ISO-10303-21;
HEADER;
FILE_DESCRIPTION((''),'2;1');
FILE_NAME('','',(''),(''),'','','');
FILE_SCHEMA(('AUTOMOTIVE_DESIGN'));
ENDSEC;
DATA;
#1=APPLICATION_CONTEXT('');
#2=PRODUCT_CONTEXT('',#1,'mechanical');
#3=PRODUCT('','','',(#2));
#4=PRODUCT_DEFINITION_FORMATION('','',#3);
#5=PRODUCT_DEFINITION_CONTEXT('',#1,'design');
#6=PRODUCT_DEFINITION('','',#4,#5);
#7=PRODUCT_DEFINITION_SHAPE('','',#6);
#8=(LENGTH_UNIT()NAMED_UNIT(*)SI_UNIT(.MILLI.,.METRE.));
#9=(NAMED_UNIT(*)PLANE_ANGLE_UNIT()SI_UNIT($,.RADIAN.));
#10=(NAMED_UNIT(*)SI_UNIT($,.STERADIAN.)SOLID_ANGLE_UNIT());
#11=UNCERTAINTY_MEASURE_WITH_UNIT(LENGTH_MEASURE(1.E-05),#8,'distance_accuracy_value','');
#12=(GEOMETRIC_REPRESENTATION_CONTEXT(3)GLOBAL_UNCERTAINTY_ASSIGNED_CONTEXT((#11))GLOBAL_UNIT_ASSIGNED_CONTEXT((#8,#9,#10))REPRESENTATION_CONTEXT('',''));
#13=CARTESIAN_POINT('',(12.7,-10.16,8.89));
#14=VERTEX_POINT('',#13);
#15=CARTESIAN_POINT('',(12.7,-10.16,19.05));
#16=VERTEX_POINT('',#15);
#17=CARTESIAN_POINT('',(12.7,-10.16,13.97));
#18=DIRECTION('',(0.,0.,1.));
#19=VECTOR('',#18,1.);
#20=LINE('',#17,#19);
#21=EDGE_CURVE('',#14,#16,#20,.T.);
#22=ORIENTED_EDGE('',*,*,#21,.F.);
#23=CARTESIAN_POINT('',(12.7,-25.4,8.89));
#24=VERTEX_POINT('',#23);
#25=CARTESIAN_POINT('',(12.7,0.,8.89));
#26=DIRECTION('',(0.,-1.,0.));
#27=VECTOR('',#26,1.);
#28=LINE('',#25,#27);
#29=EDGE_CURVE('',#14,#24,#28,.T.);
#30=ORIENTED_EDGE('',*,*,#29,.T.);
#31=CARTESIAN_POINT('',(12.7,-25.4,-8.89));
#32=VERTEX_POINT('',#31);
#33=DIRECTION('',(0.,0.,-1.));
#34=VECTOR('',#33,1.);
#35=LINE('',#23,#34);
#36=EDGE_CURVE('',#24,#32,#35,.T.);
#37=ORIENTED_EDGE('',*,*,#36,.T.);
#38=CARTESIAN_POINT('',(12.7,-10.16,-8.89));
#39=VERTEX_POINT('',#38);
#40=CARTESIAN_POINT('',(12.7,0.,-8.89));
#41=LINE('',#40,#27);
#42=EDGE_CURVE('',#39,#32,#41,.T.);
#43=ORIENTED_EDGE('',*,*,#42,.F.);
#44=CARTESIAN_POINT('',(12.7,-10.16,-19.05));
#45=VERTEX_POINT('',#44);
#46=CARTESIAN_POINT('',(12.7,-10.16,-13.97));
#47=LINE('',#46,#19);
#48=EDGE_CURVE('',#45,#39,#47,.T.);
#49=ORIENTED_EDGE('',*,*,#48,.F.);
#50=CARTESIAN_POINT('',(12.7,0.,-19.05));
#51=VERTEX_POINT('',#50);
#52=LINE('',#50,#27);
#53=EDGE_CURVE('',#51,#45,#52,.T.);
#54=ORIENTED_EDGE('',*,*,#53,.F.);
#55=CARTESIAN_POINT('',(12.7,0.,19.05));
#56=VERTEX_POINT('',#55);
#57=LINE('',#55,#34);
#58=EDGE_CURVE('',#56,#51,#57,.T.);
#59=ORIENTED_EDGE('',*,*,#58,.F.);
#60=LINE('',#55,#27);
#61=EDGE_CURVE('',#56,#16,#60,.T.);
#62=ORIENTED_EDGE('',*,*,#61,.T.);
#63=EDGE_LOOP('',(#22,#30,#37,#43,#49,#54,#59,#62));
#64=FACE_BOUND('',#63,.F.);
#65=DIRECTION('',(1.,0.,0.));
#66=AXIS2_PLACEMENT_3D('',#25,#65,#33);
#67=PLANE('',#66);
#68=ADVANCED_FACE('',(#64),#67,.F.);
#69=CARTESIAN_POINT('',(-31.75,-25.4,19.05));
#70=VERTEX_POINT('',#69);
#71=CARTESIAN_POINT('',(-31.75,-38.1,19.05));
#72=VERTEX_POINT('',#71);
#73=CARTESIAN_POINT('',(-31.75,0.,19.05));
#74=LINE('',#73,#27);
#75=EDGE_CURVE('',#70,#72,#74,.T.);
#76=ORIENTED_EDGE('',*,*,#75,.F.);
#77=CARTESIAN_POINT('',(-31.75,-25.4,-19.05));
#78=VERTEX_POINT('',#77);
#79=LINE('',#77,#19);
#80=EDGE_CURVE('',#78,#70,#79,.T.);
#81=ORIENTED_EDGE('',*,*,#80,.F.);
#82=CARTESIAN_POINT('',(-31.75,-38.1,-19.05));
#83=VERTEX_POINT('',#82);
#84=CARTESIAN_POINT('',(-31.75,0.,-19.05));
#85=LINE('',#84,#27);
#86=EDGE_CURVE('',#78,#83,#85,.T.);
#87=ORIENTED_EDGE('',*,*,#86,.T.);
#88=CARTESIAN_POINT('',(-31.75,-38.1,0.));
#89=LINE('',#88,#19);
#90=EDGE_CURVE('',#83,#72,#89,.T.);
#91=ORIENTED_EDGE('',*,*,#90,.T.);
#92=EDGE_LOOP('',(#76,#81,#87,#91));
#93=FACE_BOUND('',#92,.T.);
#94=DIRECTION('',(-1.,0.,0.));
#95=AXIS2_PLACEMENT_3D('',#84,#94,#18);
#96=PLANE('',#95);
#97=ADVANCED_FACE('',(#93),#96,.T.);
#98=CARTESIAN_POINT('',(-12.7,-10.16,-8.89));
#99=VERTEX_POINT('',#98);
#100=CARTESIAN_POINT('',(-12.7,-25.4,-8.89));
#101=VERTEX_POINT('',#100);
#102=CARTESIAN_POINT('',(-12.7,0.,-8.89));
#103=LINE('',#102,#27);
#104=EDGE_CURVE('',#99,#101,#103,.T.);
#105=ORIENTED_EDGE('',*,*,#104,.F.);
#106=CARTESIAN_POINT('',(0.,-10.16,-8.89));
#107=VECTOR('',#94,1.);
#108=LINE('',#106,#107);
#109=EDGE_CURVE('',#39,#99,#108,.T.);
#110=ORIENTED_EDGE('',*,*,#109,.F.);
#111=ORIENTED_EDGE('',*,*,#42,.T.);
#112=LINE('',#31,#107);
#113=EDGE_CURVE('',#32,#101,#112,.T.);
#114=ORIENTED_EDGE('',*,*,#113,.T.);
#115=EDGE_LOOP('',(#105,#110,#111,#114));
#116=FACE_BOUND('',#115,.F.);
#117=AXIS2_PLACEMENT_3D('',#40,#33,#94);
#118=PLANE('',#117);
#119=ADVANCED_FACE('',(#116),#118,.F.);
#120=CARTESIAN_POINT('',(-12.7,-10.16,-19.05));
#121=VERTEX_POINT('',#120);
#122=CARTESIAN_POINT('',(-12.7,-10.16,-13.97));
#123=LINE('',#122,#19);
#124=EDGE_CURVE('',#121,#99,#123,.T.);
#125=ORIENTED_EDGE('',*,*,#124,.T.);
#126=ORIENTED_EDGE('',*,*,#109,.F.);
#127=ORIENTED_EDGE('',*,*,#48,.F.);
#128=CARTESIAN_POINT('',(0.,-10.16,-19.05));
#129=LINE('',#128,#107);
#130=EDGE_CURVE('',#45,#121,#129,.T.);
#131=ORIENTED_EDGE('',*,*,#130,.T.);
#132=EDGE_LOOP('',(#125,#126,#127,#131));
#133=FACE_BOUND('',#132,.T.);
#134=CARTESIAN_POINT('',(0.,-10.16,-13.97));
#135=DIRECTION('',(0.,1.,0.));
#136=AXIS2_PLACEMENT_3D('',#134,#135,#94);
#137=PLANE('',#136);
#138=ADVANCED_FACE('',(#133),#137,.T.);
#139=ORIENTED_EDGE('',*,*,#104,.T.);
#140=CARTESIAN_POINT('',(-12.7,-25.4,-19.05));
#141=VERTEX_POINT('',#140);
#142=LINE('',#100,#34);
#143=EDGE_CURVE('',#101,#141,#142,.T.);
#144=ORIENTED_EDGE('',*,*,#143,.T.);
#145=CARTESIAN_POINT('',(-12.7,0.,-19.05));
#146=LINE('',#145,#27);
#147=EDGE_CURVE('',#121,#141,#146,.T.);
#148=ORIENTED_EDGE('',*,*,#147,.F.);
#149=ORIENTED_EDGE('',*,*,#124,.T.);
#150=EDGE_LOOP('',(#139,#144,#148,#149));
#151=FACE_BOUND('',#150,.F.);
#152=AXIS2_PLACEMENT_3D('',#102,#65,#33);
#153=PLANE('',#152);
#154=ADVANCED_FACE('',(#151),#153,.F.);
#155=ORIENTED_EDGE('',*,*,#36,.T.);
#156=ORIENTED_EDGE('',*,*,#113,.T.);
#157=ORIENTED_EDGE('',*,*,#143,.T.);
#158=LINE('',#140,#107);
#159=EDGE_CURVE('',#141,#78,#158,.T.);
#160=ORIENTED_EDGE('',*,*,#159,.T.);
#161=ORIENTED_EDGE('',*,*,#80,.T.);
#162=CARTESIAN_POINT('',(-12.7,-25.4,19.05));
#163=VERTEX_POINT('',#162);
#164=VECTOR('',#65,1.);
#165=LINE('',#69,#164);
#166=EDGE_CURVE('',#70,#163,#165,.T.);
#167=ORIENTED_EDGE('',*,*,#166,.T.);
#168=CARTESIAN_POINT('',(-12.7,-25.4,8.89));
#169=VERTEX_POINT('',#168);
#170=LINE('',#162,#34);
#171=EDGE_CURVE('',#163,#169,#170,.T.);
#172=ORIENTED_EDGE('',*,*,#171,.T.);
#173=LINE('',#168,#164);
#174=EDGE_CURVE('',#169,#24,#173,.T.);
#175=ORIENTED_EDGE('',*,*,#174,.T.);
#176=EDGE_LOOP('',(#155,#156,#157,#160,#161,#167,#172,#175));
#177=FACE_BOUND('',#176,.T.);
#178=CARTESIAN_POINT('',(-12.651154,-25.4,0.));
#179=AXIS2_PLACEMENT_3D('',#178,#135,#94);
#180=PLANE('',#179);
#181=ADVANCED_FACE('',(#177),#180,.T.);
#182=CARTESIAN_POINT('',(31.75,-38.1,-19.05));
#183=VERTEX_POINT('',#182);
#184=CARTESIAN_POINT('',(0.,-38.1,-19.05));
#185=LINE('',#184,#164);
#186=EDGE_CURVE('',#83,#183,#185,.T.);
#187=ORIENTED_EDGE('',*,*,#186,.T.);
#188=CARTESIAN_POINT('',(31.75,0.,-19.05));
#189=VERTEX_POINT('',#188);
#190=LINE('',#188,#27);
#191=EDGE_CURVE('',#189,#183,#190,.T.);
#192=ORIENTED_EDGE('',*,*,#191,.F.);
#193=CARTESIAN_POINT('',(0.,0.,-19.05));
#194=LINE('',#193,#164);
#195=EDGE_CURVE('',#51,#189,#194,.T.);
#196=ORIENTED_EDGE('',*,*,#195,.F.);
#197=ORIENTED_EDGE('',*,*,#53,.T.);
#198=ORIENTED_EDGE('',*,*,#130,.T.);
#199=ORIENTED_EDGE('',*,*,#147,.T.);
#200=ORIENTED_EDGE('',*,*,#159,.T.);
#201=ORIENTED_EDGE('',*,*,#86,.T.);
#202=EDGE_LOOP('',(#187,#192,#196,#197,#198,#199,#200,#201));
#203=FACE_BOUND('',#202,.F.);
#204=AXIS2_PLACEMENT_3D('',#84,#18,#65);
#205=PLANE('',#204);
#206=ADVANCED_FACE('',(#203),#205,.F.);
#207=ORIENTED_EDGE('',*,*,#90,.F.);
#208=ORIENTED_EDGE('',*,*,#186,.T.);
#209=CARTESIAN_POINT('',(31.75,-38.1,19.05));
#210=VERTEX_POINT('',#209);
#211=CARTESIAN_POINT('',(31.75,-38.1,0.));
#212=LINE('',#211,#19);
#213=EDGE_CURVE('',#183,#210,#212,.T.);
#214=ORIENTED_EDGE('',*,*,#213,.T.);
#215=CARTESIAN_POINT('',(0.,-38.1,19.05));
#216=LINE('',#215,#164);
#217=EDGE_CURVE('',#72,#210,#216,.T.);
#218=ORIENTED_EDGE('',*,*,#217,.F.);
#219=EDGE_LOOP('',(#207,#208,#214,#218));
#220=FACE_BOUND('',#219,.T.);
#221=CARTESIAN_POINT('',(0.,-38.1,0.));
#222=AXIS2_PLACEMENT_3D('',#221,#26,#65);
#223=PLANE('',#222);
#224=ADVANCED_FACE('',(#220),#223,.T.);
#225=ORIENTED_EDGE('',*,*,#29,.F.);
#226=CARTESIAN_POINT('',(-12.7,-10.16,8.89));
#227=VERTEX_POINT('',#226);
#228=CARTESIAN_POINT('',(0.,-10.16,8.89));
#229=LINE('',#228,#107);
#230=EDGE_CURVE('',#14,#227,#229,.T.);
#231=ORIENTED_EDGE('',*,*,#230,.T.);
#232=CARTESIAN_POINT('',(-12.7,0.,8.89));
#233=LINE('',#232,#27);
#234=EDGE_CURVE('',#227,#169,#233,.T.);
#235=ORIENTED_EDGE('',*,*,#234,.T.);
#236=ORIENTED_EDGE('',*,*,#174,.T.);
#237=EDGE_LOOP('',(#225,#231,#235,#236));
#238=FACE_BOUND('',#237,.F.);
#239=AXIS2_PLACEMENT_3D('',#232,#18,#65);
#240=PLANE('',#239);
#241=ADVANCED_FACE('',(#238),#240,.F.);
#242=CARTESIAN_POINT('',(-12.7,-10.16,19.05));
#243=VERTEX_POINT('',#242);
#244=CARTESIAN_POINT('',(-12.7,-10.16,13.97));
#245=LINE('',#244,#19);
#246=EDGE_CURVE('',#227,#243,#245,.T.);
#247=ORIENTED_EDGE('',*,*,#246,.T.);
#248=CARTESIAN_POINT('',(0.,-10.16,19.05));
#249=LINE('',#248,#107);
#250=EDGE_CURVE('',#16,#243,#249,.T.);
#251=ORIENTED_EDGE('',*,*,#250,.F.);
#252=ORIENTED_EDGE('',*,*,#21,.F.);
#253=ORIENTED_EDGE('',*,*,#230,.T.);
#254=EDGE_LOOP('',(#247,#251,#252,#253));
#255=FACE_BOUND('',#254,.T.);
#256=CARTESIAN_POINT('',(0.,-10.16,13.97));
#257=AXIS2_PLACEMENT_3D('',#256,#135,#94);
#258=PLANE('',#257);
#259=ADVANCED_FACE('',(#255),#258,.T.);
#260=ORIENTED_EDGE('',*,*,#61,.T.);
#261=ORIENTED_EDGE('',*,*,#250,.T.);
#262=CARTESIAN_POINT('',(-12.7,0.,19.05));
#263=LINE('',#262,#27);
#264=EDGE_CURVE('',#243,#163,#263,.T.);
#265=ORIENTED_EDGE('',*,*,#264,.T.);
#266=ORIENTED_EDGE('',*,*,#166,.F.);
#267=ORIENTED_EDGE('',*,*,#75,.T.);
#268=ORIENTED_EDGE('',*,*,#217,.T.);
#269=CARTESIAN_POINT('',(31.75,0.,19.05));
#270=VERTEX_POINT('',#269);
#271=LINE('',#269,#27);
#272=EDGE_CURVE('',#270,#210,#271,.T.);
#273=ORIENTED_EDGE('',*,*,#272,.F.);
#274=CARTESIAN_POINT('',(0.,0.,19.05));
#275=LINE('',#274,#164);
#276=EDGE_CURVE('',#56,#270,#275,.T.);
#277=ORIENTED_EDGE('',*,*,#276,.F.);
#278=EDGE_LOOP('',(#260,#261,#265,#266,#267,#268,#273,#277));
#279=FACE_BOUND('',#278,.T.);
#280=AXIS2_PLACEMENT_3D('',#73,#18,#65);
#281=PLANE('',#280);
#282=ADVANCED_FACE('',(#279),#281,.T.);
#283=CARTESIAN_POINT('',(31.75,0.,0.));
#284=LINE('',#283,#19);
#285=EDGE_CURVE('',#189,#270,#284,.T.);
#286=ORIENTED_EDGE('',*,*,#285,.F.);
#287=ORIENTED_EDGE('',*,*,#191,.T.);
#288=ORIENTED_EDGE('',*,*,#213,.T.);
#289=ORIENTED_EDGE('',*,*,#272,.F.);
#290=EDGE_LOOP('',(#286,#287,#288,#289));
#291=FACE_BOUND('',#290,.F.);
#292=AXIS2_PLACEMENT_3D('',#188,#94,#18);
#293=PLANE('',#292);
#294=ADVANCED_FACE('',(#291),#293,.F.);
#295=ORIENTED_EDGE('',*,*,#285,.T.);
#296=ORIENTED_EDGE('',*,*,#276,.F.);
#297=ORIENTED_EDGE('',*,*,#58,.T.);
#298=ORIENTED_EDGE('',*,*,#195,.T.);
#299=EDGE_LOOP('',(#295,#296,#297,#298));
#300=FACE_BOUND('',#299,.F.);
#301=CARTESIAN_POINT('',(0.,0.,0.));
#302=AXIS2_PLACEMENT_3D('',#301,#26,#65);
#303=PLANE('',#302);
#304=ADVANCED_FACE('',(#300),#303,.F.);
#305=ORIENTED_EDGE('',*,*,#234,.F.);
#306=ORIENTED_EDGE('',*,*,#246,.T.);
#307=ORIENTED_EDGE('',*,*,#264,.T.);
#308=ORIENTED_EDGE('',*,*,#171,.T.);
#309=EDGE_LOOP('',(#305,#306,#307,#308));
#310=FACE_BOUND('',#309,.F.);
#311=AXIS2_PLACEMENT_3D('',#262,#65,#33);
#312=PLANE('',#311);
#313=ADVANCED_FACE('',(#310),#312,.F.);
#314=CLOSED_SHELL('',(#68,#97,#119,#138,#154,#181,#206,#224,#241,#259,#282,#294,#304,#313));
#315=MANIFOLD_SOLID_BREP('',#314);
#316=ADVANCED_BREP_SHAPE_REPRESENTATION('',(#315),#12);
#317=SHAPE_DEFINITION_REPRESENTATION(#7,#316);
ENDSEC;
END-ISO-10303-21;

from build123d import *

# Parameters (mm, degrees)
F0_W     = 63.5
F0_H     = 38.1
F1_DEPTH = 38.1
F2_W     = 25.4
F2_H     = 10.16
F3_DEPTH = 10.16
F5_DEPTH = 25.4


with BuildPart() as f1:
    # F0 (on Front) → F1 (new body)
    with BuildSketch(Plane.XZ):
        Rectangle(F0_W, F0_H)
    extrude(amount=F1_DEPTH)

    # F2 (on face) → F3 (cut)
    with BuildSketch(Plane(origin=(0, 0, 0), x_dir=(-1, 0, 0), z_dir=(0, 1, 0))):
        with Locations((0, 13.97)):
            Rectangle(F2_W, F2_H)
        with Locations((0, -13.97)):
            Rectangle(F2_W, F2_H)
    extrude(amount=-F3_DEPTH, mode=Mode.SUBTRACT)

    # F4 (on face) → F5 (cut)
    with BuildSketch(Plane(origin=(0, 0, 0), x_dir=(-1, 0, 0), z_dir=(0, 1, 0))):
        Polygon((31.75, -19.05), (31.75, 19.05), (12.7, 19.05), (12.7, 8.89), (-12.7, 8.89), (-12.7, -8.89), (12.7, -8.89), (12.7, -19.05), align=None)
    extrude(amount=-F5_DEPTH, mode=Mode.SUBTRACT)


solid = f1.part
